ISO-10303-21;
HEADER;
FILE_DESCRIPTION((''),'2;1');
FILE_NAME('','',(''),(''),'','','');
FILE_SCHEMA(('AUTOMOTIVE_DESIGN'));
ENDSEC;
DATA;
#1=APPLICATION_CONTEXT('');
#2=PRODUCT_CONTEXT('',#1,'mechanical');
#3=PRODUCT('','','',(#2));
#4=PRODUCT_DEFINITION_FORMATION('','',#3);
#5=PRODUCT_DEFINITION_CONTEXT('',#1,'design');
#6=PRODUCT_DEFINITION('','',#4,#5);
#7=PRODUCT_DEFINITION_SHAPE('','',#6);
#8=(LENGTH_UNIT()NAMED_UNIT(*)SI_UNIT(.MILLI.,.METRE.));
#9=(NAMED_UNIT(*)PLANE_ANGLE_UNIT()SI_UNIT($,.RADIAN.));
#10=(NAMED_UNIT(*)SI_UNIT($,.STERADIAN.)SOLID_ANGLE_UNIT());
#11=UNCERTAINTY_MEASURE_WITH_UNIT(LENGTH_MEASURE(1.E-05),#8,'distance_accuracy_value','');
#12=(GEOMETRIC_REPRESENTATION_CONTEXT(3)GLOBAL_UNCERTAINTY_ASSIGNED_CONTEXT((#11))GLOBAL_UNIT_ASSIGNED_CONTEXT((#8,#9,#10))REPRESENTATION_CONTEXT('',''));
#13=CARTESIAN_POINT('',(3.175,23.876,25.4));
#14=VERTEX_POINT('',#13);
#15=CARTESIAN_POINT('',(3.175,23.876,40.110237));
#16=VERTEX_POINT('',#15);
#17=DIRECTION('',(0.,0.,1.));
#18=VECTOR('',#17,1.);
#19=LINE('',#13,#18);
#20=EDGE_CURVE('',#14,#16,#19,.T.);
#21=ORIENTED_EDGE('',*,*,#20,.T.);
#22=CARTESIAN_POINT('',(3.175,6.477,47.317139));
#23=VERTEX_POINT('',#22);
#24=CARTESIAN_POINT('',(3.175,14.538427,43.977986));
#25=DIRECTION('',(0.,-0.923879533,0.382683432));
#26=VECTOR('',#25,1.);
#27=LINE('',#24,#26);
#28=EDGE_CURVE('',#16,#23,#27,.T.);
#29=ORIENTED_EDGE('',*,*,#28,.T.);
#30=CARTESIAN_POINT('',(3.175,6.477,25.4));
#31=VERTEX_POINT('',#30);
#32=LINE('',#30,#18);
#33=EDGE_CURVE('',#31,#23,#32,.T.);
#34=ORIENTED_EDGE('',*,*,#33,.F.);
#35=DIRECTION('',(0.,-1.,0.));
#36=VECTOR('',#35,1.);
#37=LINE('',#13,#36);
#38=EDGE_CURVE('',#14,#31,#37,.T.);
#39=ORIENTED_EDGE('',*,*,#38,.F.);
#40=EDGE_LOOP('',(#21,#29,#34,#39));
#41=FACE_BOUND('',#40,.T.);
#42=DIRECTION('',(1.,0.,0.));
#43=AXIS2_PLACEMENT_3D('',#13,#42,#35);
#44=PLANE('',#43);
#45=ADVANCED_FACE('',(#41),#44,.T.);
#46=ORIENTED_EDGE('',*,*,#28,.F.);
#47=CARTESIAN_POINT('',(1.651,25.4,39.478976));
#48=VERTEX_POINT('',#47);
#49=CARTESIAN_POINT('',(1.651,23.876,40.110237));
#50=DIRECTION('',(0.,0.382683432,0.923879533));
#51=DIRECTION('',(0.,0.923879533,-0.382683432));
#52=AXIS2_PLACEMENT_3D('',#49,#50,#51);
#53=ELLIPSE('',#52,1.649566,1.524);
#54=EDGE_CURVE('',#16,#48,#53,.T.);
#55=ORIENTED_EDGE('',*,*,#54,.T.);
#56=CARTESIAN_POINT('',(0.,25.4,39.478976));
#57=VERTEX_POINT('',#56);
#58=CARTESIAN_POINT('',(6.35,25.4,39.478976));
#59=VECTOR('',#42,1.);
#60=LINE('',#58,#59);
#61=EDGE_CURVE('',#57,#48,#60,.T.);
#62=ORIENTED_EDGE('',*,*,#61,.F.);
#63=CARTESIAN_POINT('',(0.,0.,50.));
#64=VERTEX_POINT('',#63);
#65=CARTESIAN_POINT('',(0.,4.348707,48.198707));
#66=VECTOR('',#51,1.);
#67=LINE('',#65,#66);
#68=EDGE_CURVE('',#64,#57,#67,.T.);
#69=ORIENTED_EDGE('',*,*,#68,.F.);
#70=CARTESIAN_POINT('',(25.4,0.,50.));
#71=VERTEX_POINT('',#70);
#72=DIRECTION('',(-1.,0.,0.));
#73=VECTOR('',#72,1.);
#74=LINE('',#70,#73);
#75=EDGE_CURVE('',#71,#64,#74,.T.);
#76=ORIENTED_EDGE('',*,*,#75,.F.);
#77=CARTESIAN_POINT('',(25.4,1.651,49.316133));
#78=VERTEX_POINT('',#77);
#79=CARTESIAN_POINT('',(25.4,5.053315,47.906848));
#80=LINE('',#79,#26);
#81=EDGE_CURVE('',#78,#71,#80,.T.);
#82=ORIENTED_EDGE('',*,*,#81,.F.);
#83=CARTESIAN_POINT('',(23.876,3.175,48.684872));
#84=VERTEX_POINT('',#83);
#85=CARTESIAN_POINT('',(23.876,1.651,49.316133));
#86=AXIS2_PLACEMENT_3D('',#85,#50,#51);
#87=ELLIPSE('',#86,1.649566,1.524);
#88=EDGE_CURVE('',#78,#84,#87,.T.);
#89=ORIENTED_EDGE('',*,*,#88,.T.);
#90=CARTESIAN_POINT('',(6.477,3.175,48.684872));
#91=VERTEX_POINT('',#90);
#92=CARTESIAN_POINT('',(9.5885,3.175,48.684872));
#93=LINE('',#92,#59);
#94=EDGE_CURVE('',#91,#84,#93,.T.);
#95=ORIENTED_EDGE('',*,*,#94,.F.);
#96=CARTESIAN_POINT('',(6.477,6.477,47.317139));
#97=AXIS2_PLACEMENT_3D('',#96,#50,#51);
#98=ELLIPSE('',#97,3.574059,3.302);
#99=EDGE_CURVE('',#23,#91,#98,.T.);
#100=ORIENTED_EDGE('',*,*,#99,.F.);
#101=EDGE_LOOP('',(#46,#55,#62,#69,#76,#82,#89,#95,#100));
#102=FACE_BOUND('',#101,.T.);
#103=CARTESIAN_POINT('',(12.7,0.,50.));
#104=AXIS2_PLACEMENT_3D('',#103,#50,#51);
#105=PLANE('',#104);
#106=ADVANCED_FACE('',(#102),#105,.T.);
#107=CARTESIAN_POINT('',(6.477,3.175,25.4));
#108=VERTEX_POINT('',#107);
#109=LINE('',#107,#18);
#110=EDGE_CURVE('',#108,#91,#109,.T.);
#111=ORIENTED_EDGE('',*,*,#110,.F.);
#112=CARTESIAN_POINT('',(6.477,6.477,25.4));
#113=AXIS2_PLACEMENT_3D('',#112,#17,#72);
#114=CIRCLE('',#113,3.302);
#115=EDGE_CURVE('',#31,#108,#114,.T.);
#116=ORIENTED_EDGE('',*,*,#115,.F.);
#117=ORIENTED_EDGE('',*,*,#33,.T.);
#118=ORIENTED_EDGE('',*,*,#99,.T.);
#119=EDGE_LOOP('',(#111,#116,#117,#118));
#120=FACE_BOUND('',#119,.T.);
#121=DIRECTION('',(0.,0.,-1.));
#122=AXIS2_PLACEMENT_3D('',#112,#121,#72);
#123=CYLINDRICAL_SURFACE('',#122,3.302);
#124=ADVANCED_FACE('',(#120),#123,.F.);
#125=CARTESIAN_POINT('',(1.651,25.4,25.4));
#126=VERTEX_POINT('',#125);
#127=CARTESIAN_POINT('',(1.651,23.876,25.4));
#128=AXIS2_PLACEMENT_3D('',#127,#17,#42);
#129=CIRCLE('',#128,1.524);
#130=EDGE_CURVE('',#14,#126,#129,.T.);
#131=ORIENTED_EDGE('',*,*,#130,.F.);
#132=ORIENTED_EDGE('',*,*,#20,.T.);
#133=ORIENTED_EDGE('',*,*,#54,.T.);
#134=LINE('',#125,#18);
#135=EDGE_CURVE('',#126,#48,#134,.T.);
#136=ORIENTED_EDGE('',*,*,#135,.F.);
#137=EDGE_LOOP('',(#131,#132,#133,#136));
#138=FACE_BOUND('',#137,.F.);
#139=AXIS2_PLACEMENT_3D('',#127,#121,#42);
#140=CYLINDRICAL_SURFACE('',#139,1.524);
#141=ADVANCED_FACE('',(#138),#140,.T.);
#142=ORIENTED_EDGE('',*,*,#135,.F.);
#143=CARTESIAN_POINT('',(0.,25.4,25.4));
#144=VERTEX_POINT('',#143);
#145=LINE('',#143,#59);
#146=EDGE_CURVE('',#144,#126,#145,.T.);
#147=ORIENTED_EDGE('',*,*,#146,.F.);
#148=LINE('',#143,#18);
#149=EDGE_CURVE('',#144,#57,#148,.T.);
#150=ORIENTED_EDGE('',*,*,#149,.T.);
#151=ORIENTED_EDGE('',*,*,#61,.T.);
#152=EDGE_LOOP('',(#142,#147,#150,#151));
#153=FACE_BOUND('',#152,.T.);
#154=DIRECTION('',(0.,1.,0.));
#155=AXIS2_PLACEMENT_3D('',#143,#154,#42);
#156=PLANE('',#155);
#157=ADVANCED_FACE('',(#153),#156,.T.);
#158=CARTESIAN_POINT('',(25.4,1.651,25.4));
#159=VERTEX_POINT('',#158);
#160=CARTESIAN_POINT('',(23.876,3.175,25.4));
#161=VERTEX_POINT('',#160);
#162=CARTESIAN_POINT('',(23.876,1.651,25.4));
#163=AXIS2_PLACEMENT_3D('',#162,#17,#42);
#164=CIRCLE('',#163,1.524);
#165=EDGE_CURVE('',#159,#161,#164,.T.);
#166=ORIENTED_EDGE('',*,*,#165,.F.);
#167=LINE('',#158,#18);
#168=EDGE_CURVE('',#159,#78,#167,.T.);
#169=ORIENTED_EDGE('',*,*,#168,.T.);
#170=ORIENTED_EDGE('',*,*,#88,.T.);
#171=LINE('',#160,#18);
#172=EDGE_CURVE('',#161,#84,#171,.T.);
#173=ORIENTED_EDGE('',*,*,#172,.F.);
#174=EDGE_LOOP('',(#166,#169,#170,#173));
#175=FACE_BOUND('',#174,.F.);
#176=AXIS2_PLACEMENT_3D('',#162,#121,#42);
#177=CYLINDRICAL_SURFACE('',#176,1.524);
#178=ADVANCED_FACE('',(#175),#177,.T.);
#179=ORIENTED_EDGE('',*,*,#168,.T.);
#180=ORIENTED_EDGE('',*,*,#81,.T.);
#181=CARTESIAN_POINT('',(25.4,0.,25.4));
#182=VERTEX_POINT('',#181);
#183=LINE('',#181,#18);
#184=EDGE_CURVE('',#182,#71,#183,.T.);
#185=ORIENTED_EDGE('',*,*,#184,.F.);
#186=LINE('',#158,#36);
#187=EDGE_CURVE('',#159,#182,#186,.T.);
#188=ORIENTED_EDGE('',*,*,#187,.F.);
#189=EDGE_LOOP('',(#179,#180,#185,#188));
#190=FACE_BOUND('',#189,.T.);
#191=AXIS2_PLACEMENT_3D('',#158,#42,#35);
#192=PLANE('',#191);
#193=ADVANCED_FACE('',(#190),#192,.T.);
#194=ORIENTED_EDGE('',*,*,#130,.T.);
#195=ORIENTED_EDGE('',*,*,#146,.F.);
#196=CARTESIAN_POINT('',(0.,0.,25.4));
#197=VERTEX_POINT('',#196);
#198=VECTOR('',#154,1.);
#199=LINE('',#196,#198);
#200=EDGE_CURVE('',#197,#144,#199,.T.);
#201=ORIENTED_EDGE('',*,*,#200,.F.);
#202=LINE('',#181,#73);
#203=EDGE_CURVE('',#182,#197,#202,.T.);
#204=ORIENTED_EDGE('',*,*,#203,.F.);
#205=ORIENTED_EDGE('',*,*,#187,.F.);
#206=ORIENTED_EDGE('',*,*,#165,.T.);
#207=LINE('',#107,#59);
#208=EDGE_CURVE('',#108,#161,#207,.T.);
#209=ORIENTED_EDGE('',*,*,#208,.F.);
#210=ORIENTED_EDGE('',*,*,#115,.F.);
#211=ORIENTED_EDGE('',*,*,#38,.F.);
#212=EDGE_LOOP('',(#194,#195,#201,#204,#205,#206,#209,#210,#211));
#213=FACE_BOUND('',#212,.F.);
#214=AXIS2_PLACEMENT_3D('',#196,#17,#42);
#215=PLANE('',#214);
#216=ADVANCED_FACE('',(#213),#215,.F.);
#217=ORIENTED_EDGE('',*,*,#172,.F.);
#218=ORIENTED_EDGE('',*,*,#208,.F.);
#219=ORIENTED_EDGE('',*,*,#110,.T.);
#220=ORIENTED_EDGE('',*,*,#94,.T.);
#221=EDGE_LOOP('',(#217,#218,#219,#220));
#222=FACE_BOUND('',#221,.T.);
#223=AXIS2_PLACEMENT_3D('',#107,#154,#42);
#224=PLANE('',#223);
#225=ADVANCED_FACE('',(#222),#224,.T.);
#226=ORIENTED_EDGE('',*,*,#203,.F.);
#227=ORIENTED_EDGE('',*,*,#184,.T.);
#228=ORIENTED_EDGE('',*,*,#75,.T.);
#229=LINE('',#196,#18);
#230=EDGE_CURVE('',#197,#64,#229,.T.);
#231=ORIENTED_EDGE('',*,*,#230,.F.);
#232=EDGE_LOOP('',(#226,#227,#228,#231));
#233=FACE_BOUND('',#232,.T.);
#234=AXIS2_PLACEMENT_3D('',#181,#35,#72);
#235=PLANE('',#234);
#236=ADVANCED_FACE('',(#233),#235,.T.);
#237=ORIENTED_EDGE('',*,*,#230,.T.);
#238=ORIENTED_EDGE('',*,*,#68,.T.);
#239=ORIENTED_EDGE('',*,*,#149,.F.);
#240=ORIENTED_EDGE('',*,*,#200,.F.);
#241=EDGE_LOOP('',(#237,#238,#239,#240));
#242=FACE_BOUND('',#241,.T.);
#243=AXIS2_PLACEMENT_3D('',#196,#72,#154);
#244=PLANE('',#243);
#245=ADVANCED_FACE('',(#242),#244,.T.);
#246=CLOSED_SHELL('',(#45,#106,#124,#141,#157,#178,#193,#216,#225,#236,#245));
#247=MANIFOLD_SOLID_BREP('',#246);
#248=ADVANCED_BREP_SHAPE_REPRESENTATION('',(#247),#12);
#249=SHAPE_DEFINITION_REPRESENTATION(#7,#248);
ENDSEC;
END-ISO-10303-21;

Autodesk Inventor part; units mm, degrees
ref_plane "Start Plane" through (0, 0, 25.4) normal (0, 0, 1) x (1, 0, 0)
ref_plane "End Plane" through (0, 0, 50) normal (0, 0, 1) x (1, 0, 0)
sketch "Sketch" plane through (0, 0, 0) normal (0, 0, 1) x (1, 0, 0)
  line L0 (25.4, 0) -> (0, 0)
  line L1 (0, 0) -> (0, 25.4)
  line L2 (0, 25.4) -> (1.651, 25.4)
  line L3 (3.175, 23.876) -> (3.175, 6.477)
  line L4 (6.477, 3.175) -> (23.876, 3.175)
  line L5 (25.4, 1.651) -> (25.4, 0)
  line L6 (0, -11.0414) -> (0, 31.5385) construction
  line L7 (-11.0414, 0) -> (31.5385, 0) construction
  arc A0 (3.175, 6.477) -> (6.477, 3.175) centre (6.477, 6.477) ccw
  arc A1 (3.175, 23.876) -> (1.651, 25.4) centre (1.651, 23.876) ccw
  arc A2 (25.4, 1.651) -> (23.876, 3.175) centre (23.876, 1.651) ccw
  line L8 (0, 40.0545) -> (0, -19.5574) construction
  line L9 (-19.5574, 0) -> (40.0545, 0) construction
  point P0 (3.175, 25.4)
  point P1 (3.175, 3.175)
  point P2 (25.4, 3.175)
  dimension "d0" = 25.4
  dimension "d1" = 25.4
  dimension "d2" = 3.175
  dimension "d3" = 3.175
  dimension "d10" = 0
  dimension "d11" = 0
  dimension "d14" = 3.302
  dimension "d15" = 1.524
extrude "Body" add sketch "Sketch" along normal up to surface (24.6 mm away) from surface at 25.4
sketch "Sketch3" plane through (0, 0, 0) normal (0, 0, 1) x (1, 0, 0)
  line L0 (0, 0) -> (10, 0)
ref_plane "Work Plane3" through (0, 0, 0) normal (0, -1, 0) x (1, 0, 0)
ref_plane "Work Plane4" through (12.7, 0, 50) normal (0, 0.3827, 0.9239) x (1, 0, 0)
split "Split1" plane through (12.7, 0, 50) removes the side toward (0, 0.3827, 0.9239)
ref_plane "Work Plane5" through (0, 1058.349, 25.4) normal (0, 0, -1) x (-1, 0, 0)
split "Split2" plane through (0, 1058.349, 25.4) removes the side toward (0, 0, -1)
sketch "Sketch4" plane through (0, 0, 0) normal (0, -1, 0) x (1, 0, 0)
  line L0 (-2, 25.4) -> (12, 25.4) projected
  line L1 (-2, 50) -> (12, 50) projected
  dimension "d17" = 24.6
equation "\"d0\" = G_H"
equation "\"d1\" = G_H"
equation "\"d2\" = G_T"
equation "\"d3\" = G_T"
equation "\"d14\" = G_IR"
equation "\"d15\" = G_ER"
equation "\"d4\" = G_L"
equation "\"G_H\" = 25.4"
equation "\"G_T\" = 3.175"
equation "\"G_ER\" = 1.524"
equation "\"G_IR\" = 3.302"
equation "\"G_L\" = d17"
equation "\"ex\" = 0"
equation "\"G_OFFSET_START\" = -25.4"
equation "\"G_OFFSET_END\" = 0"
equation "\"d12\" = -G_OFFSET_START"
equation "\"d13\" = G_OFFSET_END + B_L"
equation "\"B_L\" = 50"
properties part number "AISC - L 1 x 1 x 1/8 - 0.969" material "Steel, Mild"
